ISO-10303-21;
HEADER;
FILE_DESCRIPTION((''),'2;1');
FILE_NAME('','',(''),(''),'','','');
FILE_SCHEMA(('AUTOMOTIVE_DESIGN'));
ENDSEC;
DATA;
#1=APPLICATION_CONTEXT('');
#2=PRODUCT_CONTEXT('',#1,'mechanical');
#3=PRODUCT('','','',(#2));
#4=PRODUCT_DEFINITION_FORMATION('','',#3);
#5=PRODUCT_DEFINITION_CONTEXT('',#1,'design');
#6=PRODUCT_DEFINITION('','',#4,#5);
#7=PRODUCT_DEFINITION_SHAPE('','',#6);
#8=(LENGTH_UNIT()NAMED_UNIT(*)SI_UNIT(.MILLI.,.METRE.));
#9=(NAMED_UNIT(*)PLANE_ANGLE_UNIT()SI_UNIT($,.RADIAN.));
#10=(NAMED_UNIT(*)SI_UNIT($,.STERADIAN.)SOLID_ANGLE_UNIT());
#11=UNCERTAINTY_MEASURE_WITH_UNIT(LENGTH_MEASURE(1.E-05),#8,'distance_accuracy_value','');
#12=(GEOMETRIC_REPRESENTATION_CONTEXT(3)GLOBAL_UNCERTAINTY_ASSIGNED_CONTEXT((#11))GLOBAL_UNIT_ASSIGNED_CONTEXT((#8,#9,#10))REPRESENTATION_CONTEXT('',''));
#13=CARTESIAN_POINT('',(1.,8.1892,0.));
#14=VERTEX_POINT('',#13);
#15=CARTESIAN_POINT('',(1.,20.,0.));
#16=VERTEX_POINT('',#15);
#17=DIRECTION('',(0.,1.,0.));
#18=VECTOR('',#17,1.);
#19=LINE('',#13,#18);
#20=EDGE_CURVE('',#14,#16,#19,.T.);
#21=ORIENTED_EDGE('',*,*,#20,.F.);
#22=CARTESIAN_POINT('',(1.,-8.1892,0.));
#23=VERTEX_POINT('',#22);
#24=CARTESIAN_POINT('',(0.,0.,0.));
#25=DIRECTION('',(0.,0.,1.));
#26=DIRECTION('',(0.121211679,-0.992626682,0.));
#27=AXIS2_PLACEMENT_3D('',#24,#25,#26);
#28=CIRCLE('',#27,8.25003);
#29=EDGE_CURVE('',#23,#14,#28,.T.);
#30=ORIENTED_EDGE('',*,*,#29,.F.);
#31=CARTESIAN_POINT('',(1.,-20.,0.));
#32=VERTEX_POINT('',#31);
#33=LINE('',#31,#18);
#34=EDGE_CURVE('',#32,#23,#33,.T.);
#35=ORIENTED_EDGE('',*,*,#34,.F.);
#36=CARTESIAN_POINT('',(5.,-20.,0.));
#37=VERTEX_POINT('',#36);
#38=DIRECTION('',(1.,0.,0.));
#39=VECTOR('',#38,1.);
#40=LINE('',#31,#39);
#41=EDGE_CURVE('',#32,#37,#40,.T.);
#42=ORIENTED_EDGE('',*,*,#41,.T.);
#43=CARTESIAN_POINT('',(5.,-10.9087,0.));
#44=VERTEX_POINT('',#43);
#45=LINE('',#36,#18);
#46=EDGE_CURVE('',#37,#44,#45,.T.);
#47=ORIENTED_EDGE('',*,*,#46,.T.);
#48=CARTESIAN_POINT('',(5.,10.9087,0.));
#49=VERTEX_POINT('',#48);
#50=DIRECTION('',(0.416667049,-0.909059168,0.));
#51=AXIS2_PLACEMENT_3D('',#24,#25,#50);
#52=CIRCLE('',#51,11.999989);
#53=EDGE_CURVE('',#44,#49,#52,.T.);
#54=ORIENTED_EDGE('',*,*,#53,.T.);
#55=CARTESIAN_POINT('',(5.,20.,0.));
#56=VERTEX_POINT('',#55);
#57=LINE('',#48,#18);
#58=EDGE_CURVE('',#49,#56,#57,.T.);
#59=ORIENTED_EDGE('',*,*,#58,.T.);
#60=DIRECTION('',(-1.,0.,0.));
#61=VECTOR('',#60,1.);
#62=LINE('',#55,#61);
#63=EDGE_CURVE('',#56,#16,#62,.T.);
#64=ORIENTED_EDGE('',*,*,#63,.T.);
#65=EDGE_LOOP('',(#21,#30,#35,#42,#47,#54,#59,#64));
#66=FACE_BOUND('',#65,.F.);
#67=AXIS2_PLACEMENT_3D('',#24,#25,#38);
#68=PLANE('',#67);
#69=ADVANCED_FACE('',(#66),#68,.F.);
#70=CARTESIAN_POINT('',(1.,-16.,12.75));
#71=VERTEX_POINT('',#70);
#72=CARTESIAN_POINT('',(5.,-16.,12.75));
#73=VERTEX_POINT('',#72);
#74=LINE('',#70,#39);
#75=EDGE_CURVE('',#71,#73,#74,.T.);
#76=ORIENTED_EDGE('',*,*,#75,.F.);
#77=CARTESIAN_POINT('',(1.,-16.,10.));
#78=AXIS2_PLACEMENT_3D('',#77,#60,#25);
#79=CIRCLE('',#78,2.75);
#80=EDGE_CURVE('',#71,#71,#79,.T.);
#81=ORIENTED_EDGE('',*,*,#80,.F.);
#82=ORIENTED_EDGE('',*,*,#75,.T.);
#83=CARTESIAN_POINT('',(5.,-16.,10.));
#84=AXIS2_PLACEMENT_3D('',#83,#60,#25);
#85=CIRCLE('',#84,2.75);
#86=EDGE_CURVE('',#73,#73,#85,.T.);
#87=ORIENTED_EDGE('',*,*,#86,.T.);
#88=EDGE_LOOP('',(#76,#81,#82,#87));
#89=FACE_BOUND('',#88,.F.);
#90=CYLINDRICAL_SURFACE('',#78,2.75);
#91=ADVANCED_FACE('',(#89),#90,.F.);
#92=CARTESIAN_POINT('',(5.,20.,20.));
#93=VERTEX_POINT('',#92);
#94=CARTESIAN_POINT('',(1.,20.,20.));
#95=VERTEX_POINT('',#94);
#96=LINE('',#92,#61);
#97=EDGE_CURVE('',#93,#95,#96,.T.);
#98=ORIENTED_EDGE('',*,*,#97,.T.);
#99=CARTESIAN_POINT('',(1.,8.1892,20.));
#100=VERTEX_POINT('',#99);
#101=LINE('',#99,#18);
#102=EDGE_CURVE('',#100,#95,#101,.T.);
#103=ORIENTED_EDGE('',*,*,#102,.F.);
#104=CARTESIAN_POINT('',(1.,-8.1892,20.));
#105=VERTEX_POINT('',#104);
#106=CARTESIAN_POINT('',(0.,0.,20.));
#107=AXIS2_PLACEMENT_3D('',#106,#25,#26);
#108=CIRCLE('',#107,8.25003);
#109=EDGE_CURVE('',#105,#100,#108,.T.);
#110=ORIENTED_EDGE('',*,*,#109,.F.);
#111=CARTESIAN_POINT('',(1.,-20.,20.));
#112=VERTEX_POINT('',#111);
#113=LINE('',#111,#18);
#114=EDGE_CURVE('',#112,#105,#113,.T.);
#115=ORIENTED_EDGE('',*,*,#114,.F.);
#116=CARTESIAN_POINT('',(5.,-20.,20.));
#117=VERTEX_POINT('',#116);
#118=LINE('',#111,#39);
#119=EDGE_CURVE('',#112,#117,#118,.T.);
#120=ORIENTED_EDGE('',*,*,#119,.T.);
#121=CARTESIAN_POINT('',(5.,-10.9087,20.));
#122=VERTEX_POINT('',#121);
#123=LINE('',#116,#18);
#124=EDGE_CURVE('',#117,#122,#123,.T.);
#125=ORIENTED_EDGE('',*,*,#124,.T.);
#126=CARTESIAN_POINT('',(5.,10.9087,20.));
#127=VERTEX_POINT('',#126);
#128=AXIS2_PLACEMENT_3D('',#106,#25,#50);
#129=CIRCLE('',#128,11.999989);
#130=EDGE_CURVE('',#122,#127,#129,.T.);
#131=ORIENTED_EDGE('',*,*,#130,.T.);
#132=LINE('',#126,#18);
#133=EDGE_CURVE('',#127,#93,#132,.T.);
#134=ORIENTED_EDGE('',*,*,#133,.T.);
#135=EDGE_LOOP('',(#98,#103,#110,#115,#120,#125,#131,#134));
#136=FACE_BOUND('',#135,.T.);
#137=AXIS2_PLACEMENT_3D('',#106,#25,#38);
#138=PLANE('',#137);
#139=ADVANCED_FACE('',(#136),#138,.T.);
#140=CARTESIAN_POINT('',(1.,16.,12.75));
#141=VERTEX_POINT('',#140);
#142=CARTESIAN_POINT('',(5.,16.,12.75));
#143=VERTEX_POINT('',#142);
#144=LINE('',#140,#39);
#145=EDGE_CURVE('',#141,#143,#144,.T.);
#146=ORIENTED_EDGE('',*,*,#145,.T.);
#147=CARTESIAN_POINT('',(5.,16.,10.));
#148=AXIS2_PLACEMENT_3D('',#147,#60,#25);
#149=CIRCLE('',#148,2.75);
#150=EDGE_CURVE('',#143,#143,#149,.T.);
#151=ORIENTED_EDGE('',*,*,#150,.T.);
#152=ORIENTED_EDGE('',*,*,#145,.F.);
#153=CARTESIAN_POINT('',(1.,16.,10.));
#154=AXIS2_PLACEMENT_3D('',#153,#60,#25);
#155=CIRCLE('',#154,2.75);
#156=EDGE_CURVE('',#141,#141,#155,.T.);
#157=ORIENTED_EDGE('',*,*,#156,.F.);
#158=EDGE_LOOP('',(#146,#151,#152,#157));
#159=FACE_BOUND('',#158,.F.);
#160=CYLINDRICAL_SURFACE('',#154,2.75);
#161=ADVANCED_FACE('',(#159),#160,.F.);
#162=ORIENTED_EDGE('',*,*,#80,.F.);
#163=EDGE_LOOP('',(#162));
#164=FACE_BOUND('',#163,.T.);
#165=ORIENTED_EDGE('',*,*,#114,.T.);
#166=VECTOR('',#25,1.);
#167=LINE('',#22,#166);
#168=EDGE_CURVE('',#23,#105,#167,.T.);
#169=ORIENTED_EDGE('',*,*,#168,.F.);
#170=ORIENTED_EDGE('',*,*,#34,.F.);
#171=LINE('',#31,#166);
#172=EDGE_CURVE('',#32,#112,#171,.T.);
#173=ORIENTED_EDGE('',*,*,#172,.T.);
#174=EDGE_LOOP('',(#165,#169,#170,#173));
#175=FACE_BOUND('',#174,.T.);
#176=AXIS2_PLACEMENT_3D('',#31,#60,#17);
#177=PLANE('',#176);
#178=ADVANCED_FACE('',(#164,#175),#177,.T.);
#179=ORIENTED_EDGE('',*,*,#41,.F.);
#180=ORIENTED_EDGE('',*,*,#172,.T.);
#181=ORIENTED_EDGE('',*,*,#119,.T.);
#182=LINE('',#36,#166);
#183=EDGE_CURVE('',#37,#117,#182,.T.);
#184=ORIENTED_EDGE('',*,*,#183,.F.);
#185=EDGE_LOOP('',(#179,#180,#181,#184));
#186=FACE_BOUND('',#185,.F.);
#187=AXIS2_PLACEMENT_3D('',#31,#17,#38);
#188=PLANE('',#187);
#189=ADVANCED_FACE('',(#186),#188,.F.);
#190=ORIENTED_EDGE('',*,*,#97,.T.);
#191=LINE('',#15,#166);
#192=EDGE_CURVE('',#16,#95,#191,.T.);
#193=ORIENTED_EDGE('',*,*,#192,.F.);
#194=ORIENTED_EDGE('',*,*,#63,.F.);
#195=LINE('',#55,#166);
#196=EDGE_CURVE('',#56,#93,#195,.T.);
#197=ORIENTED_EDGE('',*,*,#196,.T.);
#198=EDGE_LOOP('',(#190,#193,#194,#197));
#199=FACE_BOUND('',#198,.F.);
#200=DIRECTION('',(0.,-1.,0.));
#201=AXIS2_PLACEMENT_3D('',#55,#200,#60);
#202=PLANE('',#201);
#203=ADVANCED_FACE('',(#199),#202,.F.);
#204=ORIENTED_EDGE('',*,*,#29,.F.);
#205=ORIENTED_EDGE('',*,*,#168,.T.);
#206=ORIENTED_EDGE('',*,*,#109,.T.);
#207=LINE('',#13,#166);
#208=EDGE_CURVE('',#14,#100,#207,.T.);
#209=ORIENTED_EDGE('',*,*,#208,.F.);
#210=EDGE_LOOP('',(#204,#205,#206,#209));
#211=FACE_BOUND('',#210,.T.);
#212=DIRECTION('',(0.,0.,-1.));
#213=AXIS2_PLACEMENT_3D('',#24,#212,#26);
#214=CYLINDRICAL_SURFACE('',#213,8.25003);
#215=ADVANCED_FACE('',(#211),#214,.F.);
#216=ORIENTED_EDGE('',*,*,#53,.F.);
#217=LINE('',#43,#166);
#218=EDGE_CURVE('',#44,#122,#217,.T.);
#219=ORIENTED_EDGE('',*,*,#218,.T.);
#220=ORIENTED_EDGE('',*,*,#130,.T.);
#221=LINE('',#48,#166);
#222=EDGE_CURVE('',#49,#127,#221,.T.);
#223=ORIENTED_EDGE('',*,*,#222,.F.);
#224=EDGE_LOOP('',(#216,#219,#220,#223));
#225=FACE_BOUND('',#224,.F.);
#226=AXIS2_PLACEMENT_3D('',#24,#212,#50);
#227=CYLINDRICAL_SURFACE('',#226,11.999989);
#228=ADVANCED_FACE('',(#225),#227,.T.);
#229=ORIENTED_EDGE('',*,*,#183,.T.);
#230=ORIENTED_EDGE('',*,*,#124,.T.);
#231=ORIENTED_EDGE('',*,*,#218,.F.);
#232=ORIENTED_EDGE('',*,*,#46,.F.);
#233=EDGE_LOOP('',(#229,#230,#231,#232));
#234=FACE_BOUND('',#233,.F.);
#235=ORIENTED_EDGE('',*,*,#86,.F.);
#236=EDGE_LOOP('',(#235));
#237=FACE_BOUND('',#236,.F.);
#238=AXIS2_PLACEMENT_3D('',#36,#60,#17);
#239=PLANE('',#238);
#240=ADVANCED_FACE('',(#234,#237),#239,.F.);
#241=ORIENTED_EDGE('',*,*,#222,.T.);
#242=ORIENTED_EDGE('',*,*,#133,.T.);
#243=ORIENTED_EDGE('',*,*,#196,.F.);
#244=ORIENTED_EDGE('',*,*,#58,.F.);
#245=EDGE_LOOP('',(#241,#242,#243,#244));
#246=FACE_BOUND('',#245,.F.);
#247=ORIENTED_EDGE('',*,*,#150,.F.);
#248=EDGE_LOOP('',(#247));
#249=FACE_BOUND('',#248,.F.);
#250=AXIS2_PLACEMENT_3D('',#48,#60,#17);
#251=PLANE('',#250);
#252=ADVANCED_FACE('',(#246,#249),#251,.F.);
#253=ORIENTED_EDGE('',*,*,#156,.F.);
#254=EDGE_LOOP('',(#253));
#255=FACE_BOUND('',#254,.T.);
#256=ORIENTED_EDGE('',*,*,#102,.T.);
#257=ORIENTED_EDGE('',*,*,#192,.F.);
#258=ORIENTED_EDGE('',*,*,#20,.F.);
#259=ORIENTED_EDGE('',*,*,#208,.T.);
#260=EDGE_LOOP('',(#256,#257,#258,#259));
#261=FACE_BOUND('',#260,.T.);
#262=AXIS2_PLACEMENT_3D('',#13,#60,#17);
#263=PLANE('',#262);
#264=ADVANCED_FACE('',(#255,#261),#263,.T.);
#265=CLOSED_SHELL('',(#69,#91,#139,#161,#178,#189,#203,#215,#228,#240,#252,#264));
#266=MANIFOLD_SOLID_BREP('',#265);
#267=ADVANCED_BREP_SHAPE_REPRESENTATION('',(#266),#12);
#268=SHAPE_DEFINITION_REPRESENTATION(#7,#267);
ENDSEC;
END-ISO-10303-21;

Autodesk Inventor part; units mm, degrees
ref_plane "YZ Plane" through (0, 0, 0) normal (1, 0, 0) x (0, 1, 0)
ref_plane "XZ Plane" through (0, 0, 0) normal (0, 1, 0) x (-1, 0, 0)
ref_plane "XY Plane" through (0, 0, 0) normal (0, 0, 1) x (1, 0, 0)
sketch "Sketch1" plane through (0, 0, 0) normal (0, 0, 1) x (1, 0, 0)
  line L0 (-1, 20) -> (-1, -20)
  line L1 (-1, -20) -> (1, 20) construction
  line L2 (1, -20) -> (-1, 20) construction
  line L3 (-5, 20) -> (-5, -20)
  line L4 (-5, -20) -> (5, 20) construction
  line L5 (5, -20) -> (-5, 20) construction
  line L6 (-5, -20) -> (-1, -20)
  line L7 (1, -20) -> (5, -20)
  line L8 (5, 20) -> (1, 20)
  line L9 (-1, 20) -> (-5, 20)
  arc A0 (-1, 11.9583) -> (-1, -11.9583) centre (0, 0) ccw
  arc A1 (-1, 8.1892) -> (-1, -8.1892) centre (0, 0) ccw
  arc A2 (1, -8.1892) -> (1, 8.1892) centre (0, 0) ccw
  line L10 (5, -20) -> (5, -10.9087)
  line L11 (5, 10.9087) -> (5, 20)
  line L12 (1, -20) -> (1, -8.1892)
  line L13 (1, 8.1892) -> (1, 20)
  arc A3 (5, -10.9087) -> (5, 10.9087) centre (0, 0) ccw
  dimension "d2" = 2
  dimension "d3" = 40
  dimension "d4" = 10
extrude "Extrusion1" add sketch "Sketch1" along normal blind 20 contours L12 A2 L13 L8 L11 A3 L10 L7
sketch "Sketch2" plane through (1, 8.1892, 0) normal (-1, 0, 0) x (0, 0, 1)
  circle A0 centre (10, 7.8108) radius 2.75
  circle A1 centre (10, -24.1892) radius 2.75
  line L0 (0, -28.1892) -> (20, -28.1892) projected
  line L1 (0, 11.8108) -> (20, 11.8108) projected
  line L2 (20, 11.8108) -> (20, 0) projected
  line L3 (0, 11.8108) -> (0, 0) projected
  line L4 (0, -16.3783) -> (0, -28.1892) projected
  point P0 (0, -8.1892)
  point P1 (0, 5.9054)
  dimension "d9" = 5.5
  dimension "d10" = 5.5
  dimension "d11" = 40
  dimension "d12" = 20
  dimension "d13" = 10
  dimension "d14" = 10
  dimension "d15" = 32
  dimension "d16" = 4
extrude "Extrusion2" cut sketch "Sketch2" against normal up to surface (4 mm away)
equation "\"d10\" = d9"
equation "\"d16\" = -0.5 * d15 + 0.5 * d11"
properties part number "RobotarmHolderSpaende"
